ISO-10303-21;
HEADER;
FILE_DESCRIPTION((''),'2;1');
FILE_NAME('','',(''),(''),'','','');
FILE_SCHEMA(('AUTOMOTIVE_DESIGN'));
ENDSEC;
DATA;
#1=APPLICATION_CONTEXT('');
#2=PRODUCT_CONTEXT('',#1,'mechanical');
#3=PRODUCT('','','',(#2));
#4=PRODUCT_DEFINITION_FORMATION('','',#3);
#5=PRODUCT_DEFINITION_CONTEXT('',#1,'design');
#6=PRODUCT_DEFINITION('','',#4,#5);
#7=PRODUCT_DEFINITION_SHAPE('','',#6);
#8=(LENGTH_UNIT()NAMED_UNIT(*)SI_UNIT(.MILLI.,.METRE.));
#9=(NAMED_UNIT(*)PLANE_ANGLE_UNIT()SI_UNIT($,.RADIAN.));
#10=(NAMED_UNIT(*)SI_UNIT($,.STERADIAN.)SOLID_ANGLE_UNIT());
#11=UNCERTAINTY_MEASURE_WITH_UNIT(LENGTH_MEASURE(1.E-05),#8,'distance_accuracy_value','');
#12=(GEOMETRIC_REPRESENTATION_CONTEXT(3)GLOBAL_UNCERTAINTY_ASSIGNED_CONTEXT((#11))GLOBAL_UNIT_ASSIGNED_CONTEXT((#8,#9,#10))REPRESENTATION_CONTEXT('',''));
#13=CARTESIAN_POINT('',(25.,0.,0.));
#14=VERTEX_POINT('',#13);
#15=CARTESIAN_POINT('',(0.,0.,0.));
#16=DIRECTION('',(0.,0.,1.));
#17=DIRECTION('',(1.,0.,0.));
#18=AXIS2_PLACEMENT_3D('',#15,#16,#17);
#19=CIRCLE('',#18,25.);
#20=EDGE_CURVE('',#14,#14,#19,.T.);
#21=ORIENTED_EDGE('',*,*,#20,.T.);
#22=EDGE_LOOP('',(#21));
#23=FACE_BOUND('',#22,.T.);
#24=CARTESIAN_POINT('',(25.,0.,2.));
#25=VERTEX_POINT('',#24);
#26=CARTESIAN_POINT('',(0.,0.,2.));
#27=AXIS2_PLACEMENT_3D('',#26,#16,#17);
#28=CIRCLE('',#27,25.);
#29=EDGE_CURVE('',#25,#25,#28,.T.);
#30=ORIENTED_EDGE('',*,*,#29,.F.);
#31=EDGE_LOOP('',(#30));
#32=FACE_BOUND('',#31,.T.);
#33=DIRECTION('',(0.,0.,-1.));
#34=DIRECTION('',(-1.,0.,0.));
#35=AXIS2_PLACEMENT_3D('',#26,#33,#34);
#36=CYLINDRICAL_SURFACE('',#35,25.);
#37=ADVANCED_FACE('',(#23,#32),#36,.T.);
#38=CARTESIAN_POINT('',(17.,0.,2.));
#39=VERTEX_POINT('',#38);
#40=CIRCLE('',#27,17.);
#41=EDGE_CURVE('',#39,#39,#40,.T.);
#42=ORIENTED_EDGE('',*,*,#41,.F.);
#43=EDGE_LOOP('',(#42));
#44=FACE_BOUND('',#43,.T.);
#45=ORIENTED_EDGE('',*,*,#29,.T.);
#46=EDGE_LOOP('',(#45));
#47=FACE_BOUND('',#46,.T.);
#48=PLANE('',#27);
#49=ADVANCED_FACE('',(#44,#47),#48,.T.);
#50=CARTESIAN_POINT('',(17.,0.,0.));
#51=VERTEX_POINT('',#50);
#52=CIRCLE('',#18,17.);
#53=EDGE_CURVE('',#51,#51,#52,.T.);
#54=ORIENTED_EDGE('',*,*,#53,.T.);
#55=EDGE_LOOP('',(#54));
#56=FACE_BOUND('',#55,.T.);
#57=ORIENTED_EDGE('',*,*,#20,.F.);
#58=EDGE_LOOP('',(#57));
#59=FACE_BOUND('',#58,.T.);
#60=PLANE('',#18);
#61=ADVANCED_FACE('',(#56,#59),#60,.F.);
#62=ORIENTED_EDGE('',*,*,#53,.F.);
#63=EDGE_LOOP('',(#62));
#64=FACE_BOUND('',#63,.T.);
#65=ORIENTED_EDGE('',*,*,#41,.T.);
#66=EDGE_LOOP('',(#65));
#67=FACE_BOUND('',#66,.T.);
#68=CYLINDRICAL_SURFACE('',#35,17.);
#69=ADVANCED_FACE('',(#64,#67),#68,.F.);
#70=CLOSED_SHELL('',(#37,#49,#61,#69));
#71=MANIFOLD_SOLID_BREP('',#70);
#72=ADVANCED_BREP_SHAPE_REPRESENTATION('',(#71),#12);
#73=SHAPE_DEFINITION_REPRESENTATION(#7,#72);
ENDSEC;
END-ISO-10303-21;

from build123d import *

# Parameters (mm, degrees)
ESQUISSE1_R          = 25
ESQUISSE1_R_2        = 17
BASE_EXTRUSION_DEPTH = 2


with BuildPart() as part:
    # Esquisse1 → Base-Extrusion (new body)
    with BuildSketch(Plane.XY):
        Circle(ESQUISSE1_R)
        Circle(ESQUISSE1_R_2, mode=Mode.SUBTRACT)
    extrude(amount=BASE_EXTRUSION_DEPTH)


solid = part.part
